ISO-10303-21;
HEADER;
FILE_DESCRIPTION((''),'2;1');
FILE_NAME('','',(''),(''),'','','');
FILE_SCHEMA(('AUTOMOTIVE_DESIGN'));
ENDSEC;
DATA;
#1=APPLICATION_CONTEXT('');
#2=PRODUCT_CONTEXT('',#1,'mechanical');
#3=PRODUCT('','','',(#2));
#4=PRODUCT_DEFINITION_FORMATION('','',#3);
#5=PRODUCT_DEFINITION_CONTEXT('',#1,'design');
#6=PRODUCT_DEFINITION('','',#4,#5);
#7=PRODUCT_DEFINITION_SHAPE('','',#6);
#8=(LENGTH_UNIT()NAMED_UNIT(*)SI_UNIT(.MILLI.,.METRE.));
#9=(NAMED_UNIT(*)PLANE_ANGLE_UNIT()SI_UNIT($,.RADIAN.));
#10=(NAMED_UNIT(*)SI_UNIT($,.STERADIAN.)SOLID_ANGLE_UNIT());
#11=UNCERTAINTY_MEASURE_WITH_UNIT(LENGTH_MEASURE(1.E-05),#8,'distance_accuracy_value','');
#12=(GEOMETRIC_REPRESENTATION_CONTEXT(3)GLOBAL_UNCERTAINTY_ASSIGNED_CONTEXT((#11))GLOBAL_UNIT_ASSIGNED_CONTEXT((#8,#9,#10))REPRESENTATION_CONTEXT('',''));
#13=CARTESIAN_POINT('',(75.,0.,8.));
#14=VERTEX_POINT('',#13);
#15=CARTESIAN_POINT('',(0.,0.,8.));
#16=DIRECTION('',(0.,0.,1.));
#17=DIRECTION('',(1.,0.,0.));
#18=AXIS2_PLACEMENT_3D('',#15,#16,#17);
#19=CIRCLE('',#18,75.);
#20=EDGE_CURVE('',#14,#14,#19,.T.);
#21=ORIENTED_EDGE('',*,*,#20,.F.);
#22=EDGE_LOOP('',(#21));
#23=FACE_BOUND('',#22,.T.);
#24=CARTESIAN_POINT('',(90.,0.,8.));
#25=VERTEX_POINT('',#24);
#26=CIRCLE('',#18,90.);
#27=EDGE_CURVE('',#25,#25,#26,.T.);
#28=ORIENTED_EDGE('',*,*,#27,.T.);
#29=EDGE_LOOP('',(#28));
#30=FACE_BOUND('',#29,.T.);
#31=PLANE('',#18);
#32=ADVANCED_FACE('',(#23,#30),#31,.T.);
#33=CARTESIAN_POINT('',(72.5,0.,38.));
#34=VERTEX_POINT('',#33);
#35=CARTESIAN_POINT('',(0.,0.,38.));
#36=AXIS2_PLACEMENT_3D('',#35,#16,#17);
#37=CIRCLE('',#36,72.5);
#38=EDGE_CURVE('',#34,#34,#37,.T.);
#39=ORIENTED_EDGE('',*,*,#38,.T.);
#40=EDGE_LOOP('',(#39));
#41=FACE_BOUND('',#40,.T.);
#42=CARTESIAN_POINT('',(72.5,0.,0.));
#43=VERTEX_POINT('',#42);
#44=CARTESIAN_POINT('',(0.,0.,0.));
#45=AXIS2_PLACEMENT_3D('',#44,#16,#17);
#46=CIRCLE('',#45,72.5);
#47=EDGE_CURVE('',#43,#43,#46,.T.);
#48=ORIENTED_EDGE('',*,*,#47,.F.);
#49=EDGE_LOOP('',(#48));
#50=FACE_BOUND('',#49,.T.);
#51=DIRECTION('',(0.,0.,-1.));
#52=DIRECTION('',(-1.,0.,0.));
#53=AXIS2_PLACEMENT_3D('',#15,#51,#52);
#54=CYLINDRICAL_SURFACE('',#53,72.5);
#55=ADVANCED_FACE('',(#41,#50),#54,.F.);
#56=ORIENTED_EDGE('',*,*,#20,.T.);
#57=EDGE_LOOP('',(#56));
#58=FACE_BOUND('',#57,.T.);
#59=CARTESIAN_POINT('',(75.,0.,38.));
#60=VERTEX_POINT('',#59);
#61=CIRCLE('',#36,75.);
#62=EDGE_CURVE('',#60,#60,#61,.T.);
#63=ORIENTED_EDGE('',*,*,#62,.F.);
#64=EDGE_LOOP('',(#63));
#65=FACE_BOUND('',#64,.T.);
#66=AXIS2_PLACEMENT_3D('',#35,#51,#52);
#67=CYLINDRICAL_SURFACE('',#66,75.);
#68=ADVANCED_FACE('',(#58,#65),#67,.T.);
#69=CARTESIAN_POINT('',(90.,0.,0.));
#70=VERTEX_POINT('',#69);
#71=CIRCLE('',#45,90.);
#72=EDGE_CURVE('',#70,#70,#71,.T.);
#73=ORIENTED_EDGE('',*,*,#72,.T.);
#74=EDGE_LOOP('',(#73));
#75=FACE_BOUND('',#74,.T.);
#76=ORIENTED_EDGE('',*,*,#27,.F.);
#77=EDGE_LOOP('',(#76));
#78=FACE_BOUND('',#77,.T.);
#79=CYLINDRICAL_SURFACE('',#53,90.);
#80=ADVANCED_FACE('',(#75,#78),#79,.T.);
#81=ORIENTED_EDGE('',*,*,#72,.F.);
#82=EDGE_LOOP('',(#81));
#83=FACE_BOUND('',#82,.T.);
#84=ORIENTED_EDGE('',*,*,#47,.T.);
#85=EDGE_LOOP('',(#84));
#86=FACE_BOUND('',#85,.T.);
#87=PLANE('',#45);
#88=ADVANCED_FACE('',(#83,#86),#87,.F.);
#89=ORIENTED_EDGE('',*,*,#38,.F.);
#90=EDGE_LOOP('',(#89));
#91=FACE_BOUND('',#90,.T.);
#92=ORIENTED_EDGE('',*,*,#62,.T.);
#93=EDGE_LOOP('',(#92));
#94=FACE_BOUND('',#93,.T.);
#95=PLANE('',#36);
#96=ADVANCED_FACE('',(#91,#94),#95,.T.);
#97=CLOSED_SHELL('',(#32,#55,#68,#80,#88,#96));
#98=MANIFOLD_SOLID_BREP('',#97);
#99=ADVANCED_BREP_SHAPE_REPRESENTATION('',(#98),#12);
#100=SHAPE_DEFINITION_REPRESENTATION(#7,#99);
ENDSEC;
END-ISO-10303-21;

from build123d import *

# Parameters (mm, degrees)
SKETCH_1_R      = 90
SKETCH_1_R_2    = 72.5
EXTRUDE_1_DEPTH = 8
SKETCH_2_R      = 75
SKETCH_2_R_2    = 72.5
EXTRUDE_2_DEPTH = 30


with BuildPart() as part:
    # 草图1 → 凸台-拉伸1 (new body)
    with BuildSketch(Plane.XY):
        Circle(SKETCH_1_R)
        Circle(SKETCH_1_R_2, mode=Mode.SUBTRACT)
    extrude(amount=EXTRUDE_1_DEPTH)

    # 草图2 → 凸台-拉伸2 (add)
    with BuildSketch(Plane.XY.offset(8)):
        Circle(SKETCH_2_R)
        Circle(SKETCH_2_R_2, mode=Mode.SUBTRACT)
    extrude(amount=EXTRUDE_2_DEPTH)


solid = part.part
